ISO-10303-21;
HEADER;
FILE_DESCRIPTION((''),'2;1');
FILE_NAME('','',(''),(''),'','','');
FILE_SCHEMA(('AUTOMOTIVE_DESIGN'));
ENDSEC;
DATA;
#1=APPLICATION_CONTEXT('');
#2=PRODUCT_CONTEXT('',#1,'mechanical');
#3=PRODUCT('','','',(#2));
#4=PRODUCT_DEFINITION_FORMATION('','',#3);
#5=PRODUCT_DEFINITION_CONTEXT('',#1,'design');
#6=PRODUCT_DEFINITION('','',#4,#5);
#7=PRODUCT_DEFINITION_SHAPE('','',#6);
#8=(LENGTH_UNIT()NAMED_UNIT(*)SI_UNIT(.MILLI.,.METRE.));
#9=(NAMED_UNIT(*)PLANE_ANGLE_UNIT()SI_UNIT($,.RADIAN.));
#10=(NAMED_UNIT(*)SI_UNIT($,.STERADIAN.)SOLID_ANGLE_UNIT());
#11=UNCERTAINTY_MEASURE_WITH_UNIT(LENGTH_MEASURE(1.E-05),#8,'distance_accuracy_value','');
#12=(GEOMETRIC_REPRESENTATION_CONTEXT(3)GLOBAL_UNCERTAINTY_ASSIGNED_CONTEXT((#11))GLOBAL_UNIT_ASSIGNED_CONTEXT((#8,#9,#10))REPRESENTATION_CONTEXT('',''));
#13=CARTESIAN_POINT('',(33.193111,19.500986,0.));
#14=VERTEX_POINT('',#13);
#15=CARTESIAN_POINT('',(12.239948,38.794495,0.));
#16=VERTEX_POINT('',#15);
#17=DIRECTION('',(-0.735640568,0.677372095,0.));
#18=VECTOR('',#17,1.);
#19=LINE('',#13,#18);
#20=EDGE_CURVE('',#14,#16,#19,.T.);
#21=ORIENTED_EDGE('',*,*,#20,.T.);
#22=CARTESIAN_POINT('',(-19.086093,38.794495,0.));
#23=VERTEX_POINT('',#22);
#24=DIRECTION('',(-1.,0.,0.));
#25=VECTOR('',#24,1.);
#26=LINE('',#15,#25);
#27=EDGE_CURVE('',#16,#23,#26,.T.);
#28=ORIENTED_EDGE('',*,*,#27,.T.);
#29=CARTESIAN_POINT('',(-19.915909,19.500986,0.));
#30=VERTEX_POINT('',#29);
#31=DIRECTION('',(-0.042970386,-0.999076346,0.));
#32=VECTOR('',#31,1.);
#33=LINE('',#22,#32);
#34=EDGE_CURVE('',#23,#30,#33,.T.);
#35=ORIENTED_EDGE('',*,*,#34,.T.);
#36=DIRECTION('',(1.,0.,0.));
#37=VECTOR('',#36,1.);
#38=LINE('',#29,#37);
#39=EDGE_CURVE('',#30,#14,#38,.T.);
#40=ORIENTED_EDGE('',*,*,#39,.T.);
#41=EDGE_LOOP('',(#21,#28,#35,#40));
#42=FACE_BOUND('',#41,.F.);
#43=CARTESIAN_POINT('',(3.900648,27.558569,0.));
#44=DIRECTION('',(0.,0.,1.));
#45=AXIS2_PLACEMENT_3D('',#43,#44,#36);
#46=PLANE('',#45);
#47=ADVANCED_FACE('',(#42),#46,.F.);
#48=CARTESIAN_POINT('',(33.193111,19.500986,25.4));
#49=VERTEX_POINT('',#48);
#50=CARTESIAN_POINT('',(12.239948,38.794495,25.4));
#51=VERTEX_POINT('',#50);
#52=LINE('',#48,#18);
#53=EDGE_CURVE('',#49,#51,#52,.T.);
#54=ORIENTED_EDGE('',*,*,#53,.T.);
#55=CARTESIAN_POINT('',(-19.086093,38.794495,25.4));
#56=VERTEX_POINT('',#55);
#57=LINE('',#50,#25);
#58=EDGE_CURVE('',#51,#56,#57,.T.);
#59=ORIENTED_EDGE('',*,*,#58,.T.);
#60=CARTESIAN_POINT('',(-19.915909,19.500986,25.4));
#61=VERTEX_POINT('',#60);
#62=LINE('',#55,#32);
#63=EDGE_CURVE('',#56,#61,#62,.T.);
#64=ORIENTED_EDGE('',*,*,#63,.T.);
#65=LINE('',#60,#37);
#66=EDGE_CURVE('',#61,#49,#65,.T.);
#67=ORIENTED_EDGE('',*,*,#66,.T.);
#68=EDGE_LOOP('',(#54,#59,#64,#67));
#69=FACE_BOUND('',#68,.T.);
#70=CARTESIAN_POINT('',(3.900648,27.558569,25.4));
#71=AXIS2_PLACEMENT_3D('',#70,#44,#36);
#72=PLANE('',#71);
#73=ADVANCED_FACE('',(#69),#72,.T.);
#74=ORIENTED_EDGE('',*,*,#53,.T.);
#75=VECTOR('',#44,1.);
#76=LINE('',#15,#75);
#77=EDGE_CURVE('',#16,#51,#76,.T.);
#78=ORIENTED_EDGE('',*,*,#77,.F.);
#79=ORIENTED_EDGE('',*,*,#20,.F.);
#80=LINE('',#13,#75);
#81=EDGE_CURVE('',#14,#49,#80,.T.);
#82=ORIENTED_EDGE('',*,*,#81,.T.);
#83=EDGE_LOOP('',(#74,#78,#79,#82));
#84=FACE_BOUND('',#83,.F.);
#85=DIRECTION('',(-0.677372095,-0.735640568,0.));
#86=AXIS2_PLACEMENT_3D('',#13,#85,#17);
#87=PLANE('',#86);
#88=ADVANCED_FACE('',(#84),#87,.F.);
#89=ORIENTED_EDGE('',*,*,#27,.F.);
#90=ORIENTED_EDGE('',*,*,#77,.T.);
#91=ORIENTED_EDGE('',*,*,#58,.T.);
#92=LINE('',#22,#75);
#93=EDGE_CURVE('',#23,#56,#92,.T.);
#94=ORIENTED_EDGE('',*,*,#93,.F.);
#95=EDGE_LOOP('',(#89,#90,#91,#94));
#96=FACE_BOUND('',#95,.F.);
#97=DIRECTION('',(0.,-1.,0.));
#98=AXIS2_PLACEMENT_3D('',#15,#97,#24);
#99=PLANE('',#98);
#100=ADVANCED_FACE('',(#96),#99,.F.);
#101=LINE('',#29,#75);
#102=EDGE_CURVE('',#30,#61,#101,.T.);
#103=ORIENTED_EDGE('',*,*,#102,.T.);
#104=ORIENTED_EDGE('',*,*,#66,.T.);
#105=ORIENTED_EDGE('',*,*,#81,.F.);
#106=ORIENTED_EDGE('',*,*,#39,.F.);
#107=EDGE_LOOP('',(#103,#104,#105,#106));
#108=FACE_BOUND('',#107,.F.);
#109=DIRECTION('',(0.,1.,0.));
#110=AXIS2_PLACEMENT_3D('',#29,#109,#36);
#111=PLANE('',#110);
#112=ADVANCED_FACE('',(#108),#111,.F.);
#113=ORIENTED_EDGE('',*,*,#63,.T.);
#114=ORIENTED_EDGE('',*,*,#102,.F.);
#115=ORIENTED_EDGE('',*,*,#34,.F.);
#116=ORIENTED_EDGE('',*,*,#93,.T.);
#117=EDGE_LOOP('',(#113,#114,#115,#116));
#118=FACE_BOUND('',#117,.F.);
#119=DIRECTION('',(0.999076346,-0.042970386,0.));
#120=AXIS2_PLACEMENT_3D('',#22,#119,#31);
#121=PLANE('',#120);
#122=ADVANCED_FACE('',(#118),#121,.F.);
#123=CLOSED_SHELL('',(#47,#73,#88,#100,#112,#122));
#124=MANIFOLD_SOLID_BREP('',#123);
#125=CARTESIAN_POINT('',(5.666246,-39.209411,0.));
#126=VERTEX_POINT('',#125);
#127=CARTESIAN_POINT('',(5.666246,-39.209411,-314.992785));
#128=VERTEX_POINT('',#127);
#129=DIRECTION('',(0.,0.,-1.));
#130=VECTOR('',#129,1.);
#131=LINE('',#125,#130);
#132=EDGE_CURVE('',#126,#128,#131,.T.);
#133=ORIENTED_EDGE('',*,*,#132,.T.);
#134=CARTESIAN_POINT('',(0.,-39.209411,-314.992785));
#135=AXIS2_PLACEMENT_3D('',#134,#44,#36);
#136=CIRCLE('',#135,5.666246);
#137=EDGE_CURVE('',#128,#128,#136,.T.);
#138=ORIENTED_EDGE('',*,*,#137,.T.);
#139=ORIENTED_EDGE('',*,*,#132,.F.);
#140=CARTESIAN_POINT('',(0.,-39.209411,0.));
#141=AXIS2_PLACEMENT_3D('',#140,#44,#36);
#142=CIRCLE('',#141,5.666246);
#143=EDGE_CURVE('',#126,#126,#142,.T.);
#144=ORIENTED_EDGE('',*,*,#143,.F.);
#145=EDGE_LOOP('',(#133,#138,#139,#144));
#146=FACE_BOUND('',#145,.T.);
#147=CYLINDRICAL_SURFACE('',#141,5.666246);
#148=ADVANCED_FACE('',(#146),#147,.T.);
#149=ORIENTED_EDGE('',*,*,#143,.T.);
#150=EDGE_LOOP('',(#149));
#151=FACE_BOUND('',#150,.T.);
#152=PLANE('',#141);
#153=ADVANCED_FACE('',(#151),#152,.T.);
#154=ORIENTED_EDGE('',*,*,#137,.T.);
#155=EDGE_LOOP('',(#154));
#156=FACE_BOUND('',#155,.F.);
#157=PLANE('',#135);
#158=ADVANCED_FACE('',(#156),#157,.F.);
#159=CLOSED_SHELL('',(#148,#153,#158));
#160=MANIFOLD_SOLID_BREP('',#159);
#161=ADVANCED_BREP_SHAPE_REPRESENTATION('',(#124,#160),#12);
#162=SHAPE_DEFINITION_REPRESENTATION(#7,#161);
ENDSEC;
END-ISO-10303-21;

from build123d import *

# Parameters (mm, degrees)
F1_DEPTH = 25.4
F2_R     = 5.666246
F3_DEPTH = 314.992785


with BuildPart() as f1:
    # F0 (on Top) → F1 (new body)
    with BuildSketch(Plane.XY):
        Polygon((12.239948, 38.794495), (-19.086093, 38.794495), (-19.915909, 19.500986), (10.78774, 19.500986), (33.193111, 19.500986), align=None)
    extrude(amount=F1_DEPTH)


with BuildPart() as f3:
    # F2 (on Top) → F3 (new body)
    with BuildSketch(Plane.XY):
        with Locations((0, -39.209411)):
            Circle(F2_R)
    extrude(amount=-F3_DEPTH)


solid = Compound([f1.part, f3.part])
